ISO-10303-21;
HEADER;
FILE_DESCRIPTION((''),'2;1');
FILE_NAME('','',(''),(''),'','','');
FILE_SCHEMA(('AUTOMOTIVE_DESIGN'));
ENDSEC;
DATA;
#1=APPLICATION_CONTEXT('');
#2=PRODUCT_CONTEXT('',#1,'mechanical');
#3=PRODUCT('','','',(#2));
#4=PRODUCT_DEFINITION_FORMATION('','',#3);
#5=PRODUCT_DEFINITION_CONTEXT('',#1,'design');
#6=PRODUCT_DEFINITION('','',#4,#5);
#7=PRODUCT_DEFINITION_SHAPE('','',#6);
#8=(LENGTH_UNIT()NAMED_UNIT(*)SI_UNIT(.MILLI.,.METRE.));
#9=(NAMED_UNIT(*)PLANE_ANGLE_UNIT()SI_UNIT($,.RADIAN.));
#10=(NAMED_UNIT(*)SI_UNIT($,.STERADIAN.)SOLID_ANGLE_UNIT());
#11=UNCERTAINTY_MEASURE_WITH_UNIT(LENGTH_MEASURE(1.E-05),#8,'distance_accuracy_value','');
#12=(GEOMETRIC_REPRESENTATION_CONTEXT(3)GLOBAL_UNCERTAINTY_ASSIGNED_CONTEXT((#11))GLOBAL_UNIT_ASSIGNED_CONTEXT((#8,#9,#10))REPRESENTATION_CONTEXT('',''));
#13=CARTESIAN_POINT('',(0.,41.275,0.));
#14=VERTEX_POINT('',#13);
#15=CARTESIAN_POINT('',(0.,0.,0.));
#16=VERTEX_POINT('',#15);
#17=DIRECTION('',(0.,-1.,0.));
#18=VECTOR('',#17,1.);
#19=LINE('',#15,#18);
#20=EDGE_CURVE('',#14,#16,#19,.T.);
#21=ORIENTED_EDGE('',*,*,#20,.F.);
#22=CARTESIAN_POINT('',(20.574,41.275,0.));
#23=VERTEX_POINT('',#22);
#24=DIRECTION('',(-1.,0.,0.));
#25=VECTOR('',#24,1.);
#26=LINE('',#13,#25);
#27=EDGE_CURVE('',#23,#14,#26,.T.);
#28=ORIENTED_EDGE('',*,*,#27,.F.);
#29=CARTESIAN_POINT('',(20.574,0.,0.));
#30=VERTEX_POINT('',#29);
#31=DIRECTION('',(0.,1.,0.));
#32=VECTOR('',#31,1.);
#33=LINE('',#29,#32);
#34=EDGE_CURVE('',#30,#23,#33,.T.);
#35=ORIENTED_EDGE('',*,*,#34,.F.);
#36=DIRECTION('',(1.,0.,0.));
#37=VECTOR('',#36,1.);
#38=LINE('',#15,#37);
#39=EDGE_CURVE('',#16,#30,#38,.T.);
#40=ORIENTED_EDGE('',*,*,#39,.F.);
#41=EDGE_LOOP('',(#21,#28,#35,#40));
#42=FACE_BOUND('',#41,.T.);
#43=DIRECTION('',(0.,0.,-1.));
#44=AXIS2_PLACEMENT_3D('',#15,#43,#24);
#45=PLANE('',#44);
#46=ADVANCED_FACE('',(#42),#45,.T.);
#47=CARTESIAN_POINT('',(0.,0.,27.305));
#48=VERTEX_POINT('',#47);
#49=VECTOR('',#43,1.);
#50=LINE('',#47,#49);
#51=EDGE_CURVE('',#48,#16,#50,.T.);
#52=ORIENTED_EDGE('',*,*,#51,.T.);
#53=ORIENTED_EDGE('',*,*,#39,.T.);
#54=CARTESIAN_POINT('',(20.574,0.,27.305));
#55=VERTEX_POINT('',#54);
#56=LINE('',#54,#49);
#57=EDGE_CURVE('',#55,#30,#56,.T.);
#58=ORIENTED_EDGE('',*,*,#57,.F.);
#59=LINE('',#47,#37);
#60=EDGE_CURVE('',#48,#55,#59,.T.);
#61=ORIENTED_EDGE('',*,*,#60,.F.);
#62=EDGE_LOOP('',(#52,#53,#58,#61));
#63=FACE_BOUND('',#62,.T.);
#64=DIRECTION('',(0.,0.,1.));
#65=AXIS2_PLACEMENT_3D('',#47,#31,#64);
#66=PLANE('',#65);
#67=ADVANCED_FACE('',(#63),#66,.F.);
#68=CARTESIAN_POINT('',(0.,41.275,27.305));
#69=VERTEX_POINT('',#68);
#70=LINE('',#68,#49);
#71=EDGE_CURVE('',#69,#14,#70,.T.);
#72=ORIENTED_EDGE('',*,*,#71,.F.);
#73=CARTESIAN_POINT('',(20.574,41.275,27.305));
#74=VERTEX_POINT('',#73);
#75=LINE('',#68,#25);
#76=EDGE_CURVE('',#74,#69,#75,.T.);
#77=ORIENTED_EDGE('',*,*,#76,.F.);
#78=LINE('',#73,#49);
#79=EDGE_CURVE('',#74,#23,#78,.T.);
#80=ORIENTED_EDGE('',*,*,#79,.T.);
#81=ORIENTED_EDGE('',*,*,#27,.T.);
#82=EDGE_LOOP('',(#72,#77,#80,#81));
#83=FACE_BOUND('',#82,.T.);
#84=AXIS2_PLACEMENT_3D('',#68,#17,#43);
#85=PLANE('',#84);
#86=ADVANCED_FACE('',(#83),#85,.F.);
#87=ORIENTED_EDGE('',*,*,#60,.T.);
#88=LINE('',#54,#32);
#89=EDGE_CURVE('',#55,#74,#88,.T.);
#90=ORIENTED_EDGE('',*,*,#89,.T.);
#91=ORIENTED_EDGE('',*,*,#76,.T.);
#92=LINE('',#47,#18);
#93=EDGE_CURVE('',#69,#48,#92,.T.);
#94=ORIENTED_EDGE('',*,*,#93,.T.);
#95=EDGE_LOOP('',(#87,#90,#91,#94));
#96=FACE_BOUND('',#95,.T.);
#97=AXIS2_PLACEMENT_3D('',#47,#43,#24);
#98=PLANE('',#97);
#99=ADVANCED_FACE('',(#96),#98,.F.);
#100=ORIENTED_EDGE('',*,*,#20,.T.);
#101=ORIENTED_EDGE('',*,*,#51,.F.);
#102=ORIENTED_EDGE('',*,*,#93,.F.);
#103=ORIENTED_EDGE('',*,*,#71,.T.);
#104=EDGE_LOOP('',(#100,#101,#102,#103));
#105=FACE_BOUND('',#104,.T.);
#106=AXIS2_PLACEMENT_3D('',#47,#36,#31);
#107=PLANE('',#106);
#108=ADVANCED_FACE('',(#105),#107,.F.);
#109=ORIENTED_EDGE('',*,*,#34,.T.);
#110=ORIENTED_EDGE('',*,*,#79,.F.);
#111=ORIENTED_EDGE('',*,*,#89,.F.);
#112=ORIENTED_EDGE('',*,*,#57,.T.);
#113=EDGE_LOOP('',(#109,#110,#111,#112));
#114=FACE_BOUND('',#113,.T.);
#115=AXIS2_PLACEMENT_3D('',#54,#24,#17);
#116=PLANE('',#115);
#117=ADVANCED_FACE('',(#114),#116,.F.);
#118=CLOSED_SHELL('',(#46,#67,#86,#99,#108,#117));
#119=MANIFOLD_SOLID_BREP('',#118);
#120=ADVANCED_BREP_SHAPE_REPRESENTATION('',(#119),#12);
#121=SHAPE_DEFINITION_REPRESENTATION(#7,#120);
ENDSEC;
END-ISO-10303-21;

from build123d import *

# Parameters (mm, degrees)
SKETCH1_W           = 20.574
SKETCH1_H           = 41.275
BOSS_EXTRUDE1_DEPTH = 27.305


with BuildPart() as part:
    # Sketch1 → Boss-Extrude1 (new body)
    with BuildSketch(Plane.XY):
        with Locations((10.287, 20.6375)):
            Rectangle(SKETCH1_W, SKETCH1_H)
    extrude(amount=BOSS_EXTRUDE1_DEPTH)


solid = part.part
